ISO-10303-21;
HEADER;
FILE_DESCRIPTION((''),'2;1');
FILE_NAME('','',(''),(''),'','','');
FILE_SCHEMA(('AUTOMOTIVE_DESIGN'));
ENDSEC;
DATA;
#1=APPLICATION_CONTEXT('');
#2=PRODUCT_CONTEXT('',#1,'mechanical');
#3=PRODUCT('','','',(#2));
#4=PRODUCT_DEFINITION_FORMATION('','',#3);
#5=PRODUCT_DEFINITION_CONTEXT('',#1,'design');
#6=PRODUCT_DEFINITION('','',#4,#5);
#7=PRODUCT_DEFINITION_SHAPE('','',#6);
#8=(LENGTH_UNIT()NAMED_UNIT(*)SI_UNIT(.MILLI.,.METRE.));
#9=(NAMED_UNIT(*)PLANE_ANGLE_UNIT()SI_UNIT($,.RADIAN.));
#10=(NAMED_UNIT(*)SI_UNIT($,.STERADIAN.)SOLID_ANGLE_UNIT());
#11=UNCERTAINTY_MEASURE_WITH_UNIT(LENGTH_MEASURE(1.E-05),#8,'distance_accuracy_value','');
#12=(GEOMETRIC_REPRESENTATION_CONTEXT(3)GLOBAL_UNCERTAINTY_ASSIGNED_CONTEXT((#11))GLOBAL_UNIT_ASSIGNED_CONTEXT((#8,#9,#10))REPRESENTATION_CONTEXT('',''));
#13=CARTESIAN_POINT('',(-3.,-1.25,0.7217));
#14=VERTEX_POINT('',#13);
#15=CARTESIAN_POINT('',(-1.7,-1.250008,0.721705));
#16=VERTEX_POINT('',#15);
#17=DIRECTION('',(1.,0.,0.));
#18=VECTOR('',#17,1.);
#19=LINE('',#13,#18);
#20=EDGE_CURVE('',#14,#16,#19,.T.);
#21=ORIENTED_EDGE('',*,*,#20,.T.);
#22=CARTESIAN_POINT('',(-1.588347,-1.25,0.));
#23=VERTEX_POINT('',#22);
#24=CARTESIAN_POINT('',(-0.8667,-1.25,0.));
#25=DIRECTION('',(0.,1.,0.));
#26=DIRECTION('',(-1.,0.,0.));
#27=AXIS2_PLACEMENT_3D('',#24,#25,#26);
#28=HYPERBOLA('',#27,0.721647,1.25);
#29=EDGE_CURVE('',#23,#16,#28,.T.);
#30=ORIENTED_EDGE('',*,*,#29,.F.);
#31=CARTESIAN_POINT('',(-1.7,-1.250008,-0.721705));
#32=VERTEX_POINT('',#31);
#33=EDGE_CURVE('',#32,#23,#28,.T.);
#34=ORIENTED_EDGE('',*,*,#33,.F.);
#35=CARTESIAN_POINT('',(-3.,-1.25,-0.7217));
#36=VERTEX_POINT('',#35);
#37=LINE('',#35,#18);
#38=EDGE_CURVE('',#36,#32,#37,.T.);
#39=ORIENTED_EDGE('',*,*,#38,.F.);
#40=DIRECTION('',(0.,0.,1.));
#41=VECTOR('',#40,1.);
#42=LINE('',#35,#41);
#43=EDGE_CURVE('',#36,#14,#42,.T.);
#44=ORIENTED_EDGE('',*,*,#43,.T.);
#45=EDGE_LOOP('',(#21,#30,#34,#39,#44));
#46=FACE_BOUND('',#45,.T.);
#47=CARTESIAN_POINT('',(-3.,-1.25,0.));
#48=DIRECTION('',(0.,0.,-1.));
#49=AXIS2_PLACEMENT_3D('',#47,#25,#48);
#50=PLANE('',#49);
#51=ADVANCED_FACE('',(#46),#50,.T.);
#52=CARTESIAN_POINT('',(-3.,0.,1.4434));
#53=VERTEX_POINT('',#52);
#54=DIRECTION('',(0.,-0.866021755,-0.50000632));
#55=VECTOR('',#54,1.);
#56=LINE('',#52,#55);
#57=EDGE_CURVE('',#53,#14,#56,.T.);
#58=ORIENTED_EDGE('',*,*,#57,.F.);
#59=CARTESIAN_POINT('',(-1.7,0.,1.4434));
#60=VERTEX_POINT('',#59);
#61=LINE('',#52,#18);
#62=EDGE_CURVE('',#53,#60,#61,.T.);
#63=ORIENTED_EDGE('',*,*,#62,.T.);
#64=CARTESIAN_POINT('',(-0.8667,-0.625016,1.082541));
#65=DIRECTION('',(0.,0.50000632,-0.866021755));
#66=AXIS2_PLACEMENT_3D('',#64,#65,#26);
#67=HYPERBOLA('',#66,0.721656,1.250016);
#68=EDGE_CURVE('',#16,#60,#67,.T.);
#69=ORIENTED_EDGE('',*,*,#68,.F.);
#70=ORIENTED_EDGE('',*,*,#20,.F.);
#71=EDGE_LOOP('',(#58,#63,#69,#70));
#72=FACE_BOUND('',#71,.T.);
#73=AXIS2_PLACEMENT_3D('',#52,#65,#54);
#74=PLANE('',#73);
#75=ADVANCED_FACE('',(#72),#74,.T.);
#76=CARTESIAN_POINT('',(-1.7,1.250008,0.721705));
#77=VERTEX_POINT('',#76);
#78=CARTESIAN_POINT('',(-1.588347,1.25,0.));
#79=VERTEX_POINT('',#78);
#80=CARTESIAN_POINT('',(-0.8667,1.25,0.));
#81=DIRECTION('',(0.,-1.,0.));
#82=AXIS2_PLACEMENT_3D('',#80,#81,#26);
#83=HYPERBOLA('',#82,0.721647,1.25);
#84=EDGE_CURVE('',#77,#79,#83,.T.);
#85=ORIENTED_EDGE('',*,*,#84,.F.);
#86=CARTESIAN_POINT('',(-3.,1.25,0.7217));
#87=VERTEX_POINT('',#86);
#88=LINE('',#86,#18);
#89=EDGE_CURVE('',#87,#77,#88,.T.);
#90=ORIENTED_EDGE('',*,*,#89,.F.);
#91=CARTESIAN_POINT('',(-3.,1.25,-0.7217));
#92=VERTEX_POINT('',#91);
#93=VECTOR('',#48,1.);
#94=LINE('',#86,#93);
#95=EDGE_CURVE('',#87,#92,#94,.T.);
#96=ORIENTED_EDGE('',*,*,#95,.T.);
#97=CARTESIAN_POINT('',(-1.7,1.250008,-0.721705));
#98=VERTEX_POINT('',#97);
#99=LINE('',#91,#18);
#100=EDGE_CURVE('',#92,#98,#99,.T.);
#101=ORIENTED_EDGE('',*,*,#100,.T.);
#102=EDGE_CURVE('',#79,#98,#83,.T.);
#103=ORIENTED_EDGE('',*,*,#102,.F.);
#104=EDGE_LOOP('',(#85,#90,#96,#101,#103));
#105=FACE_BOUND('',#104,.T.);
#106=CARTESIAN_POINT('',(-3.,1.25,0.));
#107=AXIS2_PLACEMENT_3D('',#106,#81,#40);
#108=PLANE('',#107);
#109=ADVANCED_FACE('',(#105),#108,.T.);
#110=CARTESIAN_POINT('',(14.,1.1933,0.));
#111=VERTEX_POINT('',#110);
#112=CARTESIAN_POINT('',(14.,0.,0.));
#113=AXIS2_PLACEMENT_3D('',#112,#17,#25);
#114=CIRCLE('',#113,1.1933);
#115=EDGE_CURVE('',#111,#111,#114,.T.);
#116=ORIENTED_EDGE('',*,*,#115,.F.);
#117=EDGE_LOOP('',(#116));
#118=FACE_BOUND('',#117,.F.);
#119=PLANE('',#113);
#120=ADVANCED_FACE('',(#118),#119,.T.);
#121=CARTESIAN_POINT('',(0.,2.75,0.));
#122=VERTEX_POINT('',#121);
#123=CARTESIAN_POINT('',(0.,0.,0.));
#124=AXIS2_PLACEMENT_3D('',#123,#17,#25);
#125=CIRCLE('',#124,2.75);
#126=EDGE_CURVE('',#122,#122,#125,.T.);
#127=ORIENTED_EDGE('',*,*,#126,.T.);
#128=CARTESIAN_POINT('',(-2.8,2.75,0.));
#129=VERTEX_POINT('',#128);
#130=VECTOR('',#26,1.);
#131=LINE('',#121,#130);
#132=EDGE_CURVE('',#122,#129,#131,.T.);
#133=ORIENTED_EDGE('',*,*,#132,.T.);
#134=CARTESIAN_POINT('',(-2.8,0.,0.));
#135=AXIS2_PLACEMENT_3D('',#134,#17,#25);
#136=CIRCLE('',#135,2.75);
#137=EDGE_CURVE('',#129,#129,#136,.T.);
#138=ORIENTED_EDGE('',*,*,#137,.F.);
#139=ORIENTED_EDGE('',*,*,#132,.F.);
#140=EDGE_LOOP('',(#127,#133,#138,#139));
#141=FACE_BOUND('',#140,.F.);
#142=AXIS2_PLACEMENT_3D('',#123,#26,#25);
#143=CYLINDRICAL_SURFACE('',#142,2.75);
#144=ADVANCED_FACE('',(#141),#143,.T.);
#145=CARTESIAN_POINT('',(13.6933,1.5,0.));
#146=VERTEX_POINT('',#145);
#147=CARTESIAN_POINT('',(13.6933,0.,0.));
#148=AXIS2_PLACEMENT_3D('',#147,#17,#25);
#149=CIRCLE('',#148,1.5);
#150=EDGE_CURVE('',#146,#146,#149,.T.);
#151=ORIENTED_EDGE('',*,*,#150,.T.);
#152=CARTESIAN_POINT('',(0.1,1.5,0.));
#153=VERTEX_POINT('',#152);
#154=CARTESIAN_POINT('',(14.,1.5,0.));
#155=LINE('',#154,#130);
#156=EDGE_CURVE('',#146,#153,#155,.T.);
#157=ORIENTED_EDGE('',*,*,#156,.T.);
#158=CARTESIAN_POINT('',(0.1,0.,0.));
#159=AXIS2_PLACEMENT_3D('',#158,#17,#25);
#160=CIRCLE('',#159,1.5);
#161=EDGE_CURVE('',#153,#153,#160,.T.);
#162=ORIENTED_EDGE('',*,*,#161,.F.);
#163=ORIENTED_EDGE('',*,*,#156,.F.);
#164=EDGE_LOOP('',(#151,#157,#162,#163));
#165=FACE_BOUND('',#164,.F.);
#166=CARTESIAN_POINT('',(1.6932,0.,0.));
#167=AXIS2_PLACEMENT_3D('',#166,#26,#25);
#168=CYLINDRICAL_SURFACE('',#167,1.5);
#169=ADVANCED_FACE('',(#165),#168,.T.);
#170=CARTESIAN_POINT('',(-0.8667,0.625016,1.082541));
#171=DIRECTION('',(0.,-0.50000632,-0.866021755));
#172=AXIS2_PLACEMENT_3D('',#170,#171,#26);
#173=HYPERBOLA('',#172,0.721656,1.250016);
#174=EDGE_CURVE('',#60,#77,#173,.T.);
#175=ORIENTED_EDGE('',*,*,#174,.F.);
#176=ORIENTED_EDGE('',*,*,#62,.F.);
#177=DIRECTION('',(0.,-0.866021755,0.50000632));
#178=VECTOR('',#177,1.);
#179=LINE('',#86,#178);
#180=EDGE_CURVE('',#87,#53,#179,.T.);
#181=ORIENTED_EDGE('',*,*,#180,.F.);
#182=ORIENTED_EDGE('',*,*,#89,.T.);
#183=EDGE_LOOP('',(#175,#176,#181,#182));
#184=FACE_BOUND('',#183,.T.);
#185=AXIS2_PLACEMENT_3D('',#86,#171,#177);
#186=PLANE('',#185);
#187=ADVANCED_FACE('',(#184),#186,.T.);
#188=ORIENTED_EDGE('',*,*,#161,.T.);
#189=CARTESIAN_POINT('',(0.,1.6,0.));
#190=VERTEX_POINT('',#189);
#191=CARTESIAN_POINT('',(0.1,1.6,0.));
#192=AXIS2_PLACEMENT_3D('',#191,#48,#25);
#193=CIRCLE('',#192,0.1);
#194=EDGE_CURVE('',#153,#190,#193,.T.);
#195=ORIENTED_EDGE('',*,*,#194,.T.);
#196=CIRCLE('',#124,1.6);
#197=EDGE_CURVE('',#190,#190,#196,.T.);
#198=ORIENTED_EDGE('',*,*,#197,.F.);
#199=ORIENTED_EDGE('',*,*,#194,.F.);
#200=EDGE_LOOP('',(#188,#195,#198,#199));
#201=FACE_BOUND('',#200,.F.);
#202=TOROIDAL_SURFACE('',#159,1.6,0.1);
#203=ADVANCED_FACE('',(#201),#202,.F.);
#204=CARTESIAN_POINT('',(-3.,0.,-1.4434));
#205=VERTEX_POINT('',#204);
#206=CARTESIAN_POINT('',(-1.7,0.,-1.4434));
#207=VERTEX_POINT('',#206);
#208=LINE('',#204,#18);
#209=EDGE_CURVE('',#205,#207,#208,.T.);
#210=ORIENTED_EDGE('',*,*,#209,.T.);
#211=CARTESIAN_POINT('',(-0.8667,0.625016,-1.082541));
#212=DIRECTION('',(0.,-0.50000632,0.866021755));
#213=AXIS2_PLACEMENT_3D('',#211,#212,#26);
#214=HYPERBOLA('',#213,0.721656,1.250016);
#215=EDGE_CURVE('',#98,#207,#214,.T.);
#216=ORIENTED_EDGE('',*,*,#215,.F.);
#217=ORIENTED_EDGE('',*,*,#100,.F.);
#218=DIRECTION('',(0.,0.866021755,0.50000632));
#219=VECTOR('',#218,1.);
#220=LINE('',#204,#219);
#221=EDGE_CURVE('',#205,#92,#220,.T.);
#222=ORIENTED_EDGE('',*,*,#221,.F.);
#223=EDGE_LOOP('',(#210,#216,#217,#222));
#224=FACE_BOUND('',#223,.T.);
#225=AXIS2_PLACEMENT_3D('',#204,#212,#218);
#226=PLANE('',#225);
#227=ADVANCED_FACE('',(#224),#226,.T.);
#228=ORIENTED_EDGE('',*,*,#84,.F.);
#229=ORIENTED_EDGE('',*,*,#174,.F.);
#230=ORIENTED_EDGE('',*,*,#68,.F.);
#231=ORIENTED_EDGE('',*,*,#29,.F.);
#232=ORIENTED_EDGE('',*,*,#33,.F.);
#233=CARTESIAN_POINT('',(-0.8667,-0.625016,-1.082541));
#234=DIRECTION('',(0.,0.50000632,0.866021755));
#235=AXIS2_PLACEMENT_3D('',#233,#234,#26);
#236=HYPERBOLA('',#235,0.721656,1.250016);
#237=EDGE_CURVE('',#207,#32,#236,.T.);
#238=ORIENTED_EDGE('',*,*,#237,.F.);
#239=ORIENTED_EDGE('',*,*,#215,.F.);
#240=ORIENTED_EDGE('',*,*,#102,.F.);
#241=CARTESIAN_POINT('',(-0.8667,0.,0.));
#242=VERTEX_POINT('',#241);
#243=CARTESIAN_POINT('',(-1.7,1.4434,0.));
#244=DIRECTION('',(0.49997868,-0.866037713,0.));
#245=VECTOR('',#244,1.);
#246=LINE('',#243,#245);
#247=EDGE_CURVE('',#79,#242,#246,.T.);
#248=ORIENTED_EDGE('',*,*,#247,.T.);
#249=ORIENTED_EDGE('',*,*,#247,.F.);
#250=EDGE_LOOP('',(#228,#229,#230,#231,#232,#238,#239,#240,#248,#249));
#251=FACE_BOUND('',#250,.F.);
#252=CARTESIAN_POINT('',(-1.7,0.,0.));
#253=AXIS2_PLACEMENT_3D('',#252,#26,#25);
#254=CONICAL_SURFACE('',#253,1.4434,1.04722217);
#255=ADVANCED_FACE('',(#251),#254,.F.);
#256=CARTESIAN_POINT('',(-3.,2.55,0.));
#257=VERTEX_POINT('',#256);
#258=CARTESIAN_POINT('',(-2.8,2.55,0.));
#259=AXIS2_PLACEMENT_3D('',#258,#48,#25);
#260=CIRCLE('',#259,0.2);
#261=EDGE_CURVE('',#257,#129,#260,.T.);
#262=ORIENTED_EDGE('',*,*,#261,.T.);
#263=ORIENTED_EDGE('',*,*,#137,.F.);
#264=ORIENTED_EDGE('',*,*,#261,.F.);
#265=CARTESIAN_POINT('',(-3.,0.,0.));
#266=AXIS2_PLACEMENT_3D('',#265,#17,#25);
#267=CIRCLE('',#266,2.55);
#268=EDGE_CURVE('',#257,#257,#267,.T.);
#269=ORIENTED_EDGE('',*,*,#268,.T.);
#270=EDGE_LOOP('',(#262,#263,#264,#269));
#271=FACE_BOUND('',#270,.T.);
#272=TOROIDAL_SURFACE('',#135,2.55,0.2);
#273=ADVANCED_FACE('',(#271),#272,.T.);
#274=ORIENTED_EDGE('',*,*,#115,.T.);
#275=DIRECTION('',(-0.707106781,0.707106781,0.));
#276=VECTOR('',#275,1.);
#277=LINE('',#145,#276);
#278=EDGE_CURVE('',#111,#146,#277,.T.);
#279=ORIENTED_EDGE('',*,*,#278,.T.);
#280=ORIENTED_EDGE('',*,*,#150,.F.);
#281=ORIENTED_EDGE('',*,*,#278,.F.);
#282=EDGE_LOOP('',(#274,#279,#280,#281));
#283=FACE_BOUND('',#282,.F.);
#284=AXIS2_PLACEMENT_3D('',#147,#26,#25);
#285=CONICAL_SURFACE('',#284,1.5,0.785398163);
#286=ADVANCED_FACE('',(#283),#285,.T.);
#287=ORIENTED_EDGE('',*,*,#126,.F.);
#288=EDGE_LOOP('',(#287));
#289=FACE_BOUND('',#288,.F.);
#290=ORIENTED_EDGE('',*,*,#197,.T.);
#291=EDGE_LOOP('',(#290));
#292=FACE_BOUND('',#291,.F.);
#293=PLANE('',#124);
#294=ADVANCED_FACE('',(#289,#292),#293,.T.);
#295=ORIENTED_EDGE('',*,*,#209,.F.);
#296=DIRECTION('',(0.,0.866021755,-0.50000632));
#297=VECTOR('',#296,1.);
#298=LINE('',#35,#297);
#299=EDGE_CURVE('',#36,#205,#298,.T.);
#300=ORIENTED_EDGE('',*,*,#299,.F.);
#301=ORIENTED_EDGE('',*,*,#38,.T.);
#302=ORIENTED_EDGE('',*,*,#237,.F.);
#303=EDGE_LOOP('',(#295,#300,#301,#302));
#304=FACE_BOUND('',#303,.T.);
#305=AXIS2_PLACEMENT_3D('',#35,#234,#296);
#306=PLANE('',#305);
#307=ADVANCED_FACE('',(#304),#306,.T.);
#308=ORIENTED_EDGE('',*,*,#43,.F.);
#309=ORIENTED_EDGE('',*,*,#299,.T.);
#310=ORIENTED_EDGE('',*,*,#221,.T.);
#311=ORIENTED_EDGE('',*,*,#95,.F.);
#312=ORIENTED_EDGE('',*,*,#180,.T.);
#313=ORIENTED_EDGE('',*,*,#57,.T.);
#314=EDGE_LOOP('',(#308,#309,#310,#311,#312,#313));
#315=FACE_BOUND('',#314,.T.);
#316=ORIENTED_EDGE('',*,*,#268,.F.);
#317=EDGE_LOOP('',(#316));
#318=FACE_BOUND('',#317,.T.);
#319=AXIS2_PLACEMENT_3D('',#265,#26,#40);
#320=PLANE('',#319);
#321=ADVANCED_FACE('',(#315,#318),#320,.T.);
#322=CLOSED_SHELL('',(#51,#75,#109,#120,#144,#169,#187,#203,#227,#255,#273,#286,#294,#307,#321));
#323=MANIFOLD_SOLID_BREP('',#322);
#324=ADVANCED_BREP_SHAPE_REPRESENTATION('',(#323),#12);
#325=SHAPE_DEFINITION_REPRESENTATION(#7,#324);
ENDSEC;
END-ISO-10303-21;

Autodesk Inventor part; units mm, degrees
ref_plane "YZ Plane" through (0, 0, 0) normal (1, 0, 0) x (0, 1, 0)
ref_plane "XZ Plane" through (0, 0, 0) normal (0, 1, 0) x (-1, 0, 0)
sketch "Szkic1" plane through (0, 0, 0) normal (0, 0, 1) x (1, 0, 0)
  line L0 (-0.8667, 0) -> (14, 0)
  line L1 (14, 0) -> (14, 1.5)
  line L2 (14, 1.5) -> (2, 1.5)
  line L3 (2, 1.5) -> (1.6932, 1.5)
  line L4 (1.6932, 1.5) -> (0, 1.5)
  line L5 (0, 1.5) -> (0, 2.75)
  line L6 (0, 2.75) -> (-3, 2.75)
  line L7 (-3, 2.75) -> (-3, 1.4434)
  line L8 (-3, 1.4434) -> (-1.7, 1.4434)
  line L9 (-1.7, 1.4434) -> (-0.8667, 0)
  line L10 (-6.4, 0) -> (17.4, 0) projected
  line L11 (0, -0.55) -> (0, 3.3) projected
  line L12 (2, 1.5) -> (0, 1.5) construction
  dimension "d1" = 12
  dimension "d2" = 0.3068
  dimension "d3" = 3
  dimension "d4" = 1.3
  dimension "d5" = 60
  dimension "d6" = 3
  dimension "d7" = 3
  dimension "d8" = 2.8868
  dimension "d9" = 5.5
  dimension "d26" = 14
revolve "Bryła" add sketch "Szkic1" angle 360 about axis through (-0.8667, 0, 0) along (1, 0, 0)
sketch "Szkic2" plane through (-3, 0, 0) normal (-1, 0, 0) x (0, 0, 1)
  circle A0 centre (0, 0) radius 1.4434 projected
  line L0 (0, -3.85) -> (0, 3.85) projected
  line L1 (-3.85, 0) -> (3.85, 0) projected
  line L2 (1.4434, 0) -> (0.7217, -1.25)
  line L3 (0.7217, -1.25) -> (-0.7217, -1.25)
  line L4 (-0.7217, -1.25) -> (-1.4434, 0)
  line L5 (-1.4434, 0) -> (-0.7217, 1.25)
  line L6 (-0.7217, 1.25) -> (0.7217, 1.25)
  line L7 (0.7217, 1.25) -> (1.4434, 0)
extrude "Szczelina" add sketch "Szkic2" against normal up to next contours L7 A0 | A0 L2 | L6 L0 A0 | A0 L0 L3 | L0 L6 A0 | A0 L3 L0 | L4 A0 | A0 L5
fillet "Zaokrąglenie1" radius 0.2 1 edges at (-3, -2.75, 0)
thread "Gwint" size "M3x0.5" class "6g" standard "ISO Metric profile" length 12
chamfer "Faza1" distance 0.3067 distance2 0.3067 1 edges at (14, -1.5, 0) measured on face at (14, -0.6587, -0.1791)
ref_plane "Work Plane1" through (29, 0, 0) normal (0, -1, 0) x (1, 0, 0)
fillet "Fillet2" radius 0.1 1 edges at (0, -1.5, 0)
equation "\"d1\" = GEL"
equation "\"d3\" = KOH"
equation "\"d4\" = INTI"
equation "\"d6\" = GD"
equation "\"d7\" = BDM"
equation "\"d8\" = 1.1547 * SW"
equation "\"d9\" = KOD"
equation "\"d26\" = NLG"
equation "\"d30\" = R"
equation "\"d17\" = RR"
equation "\"d13\" = GEL"
equation "\"d15\" = -0.5 * SPD + 0.5 * GD"
equation "\"d16\" = GUL"
equation "\"GD\" = NND"
equation "\"NLG\" = 14"
equation "\"GEL\" = 12"
equation "\"KOD\" = 5.5"
equation "\"KOH\" = NND"
equation "\"INTI\" = 1.3"
equation "\"GAL\" = 0.61345 * PTC"
equation "\"GUL\" = 0.61345 * PTC"
equation "\"BDM\" = NND"
equation "\"SW\" = 2.5"
equation "\"RR\" = 0.2"
equation "\"SPD\" = NND - 1.2269 * PTC"
equation "\"R\" = 0.1"
equation "\"TOA\" = 30deg"
equation "\"GD1\" = THREADDIA - 1.2269 * PTC"
equation "\"THREADDIA\" = 3"
equation "\"FAWI\" = 45deg"
equation "\"PTC\" = 0.5"
equation "\"NND\" = 3"
equation "\"E0\" = 1.155 * SW"
properties part number "CNS 3932 - M 3 x 14" material "Stal, miękka"
